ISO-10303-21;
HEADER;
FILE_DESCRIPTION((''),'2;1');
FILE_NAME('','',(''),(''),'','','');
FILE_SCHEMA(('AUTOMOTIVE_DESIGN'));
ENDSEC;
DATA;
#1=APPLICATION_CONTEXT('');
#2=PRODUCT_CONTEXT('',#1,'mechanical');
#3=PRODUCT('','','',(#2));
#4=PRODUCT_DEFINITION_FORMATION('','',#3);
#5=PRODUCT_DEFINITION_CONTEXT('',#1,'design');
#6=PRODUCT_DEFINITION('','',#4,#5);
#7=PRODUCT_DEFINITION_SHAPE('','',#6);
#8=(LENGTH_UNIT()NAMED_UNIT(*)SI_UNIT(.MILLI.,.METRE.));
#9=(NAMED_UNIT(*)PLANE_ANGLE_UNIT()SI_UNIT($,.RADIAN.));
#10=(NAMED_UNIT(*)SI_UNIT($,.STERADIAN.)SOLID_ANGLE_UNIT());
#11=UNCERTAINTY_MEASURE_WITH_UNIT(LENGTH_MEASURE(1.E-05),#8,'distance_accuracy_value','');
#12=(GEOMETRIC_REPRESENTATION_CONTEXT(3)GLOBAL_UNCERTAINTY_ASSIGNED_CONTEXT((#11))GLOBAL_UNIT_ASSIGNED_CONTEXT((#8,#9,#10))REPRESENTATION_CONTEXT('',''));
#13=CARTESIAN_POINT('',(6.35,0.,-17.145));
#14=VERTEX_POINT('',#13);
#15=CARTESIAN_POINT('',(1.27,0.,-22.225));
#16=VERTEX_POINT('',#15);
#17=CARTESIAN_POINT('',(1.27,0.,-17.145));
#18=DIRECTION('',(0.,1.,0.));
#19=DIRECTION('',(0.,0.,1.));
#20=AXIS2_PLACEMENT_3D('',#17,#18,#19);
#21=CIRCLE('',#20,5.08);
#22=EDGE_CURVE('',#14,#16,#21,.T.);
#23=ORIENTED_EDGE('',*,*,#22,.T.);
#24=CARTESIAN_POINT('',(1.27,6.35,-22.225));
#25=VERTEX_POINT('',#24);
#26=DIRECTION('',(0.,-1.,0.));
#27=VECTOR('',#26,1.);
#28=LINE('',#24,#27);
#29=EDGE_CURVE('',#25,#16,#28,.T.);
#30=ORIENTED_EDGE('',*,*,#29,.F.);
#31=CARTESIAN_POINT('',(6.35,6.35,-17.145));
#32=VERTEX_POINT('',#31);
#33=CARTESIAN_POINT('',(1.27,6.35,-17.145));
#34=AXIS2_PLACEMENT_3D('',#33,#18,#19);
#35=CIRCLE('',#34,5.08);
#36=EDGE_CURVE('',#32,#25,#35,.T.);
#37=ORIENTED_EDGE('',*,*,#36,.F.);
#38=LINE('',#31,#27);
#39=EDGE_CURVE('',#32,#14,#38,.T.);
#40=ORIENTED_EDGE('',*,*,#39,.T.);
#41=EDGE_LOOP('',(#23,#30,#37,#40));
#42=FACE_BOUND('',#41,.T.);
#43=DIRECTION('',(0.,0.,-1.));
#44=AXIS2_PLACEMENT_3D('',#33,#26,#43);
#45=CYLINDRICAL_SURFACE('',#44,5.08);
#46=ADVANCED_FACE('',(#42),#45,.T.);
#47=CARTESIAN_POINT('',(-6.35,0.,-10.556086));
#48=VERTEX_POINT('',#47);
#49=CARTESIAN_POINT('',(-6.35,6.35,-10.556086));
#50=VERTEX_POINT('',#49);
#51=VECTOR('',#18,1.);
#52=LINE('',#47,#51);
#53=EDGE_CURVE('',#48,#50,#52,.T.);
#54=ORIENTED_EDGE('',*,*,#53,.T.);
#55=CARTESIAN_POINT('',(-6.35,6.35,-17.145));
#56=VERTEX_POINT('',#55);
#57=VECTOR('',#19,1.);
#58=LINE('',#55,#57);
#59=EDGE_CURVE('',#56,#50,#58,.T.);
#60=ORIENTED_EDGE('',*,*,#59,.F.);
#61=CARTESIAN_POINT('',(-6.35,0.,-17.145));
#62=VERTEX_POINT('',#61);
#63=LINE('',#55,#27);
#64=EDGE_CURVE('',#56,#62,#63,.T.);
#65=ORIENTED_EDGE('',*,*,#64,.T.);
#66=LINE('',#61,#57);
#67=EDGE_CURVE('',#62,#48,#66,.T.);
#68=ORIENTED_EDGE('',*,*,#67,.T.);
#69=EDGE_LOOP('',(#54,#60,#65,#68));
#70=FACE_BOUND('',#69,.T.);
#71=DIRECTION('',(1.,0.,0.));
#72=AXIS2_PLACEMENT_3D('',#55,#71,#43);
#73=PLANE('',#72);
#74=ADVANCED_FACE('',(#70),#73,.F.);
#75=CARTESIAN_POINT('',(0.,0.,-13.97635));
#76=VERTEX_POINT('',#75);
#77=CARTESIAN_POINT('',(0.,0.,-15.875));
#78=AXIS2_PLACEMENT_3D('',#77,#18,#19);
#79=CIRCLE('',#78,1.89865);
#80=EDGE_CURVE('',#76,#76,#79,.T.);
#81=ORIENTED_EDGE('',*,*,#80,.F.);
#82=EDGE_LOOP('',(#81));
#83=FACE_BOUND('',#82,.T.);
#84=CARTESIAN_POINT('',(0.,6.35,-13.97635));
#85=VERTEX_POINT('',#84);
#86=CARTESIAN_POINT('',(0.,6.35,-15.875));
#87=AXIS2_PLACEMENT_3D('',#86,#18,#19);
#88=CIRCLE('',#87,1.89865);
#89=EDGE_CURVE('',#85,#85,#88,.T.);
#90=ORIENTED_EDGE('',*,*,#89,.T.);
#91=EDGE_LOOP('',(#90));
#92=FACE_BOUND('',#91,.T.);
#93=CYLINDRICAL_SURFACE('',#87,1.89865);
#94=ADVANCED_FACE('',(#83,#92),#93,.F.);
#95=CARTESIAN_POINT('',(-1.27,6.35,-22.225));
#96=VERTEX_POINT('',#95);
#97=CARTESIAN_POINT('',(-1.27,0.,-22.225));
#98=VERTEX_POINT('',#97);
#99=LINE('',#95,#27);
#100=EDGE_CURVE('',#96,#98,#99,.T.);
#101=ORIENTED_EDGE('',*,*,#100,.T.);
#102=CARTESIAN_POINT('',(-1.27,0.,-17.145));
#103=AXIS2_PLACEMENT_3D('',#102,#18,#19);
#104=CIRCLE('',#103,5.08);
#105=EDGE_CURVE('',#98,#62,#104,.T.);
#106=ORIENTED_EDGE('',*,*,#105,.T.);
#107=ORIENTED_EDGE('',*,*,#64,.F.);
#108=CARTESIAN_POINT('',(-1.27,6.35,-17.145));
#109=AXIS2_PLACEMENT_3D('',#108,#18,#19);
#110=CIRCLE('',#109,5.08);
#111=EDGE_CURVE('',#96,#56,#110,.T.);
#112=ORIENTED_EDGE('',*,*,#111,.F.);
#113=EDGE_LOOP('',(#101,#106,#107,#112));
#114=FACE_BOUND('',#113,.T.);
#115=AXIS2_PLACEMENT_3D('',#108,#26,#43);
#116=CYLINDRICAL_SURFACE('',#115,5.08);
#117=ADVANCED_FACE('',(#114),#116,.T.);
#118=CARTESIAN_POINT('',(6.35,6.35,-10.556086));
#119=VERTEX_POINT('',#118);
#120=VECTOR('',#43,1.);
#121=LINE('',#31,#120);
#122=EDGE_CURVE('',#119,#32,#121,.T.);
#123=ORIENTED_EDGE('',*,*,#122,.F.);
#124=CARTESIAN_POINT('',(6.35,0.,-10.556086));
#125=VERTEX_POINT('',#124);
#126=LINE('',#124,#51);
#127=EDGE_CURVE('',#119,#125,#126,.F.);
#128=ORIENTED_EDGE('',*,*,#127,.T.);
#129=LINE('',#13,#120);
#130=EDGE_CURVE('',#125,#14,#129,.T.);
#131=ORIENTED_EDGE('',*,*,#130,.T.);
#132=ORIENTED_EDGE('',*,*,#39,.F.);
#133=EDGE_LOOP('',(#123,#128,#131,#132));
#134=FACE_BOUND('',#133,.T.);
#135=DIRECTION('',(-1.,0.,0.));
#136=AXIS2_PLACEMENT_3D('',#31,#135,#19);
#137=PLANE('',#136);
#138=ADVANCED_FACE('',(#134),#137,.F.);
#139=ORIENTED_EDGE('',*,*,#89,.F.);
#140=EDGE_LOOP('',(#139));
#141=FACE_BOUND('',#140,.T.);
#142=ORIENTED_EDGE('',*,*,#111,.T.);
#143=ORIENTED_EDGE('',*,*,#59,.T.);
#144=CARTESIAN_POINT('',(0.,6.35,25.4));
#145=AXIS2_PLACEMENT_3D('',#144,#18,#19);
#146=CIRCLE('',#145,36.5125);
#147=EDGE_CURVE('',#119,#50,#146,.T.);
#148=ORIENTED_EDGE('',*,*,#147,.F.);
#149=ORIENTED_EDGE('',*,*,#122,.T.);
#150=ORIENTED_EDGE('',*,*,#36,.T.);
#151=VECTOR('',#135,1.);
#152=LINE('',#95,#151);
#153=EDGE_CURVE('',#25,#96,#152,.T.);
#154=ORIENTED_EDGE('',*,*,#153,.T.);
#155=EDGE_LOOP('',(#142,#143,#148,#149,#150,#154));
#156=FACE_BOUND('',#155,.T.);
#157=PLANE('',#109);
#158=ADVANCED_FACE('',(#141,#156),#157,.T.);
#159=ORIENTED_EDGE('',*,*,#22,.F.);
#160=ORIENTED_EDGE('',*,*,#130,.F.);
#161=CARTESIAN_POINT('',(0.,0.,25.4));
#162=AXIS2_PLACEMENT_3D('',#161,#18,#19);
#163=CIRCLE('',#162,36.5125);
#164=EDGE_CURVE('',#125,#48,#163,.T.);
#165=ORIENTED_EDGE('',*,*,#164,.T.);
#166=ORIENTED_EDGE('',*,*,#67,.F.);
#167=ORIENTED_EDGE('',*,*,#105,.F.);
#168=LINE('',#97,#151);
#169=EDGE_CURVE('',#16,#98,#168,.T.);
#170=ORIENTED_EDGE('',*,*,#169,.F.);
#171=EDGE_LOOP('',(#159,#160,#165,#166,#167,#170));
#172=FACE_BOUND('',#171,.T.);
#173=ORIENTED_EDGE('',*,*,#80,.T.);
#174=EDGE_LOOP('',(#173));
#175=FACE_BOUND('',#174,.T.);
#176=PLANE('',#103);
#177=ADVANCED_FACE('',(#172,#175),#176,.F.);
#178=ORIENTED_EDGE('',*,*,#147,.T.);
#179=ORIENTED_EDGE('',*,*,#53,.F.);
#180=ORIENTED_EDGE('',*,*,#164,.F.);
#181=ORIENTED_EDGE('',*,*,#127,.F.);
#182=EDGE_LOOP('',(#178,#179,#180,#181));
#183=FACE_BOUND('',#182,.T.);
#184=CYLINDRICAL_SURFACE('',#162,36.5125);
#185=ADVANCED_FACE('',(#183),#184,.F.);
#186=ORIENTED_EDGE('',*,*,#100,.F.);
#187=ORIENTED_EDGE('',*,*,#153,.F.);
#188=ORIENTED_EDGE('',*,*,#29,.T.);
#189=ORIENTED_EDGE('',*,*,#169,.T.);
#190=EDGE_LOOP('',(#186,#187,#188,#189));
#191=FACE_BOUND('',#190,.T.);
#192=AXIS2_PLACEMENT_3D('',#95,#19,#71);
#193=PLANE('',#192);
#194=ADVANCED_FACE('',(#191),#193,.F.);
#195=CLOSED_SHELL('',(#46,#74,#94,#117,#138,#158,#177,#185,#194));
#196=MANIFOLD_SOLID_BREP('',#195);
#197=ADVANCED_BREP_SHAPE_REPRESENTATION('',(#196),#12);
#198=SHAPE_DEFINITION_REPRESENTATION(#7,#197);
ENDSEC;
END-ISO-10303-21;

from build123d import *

# Parameters (mm, degrees)
EXTRUDE1_DEPTH            = 6.35
SKETCH2_R                 = 36.5125
CUT_EXTRUDE1_DEPTH        = 6.35
F_6_CLEARANCE_HOLE1_D     = 3.7973
F_6_CLEARANCE_HOLE1_DEPTH = 330.2
F_6_CLEARANCE_HOLE1_TIP   = 1.140824014


with BuildPart() as part:
    # Sketch1 → Extrude1 (new body)
    with BuildSketch(Plane(origin=(0, 0, 0), x_dir=(1, 0, 0), z_dir=(0, 1, 0))):
        with BuildLine():
            Line((-1.27, 22.225), (1.27, 22.225))
            ThreePointArc((1.27, 22.225), (4.862102448, 20.737102448), (6.35, 17.145))
            Line((6.35, 17.145), (6.35, -25.4))
            Line((6.35, -25.4), (-6.35, -25.4))
            Line((-6.35, -25.4), (-6.35, 17.145))
            ThreePointArc((-6.35, 17.145), (-4.862102448, 20.737102448), (-1.27, 22.225))
        make_face()
    extrude(amount=EXTRUDE1_DEPTH)

    # Sketch2 → Cut-Extrude1 (cut)
    with BuildSketch(Plane(origin=(0, 6.35, 0), x_dir=(-1, 0, 0), z_dir=(0, 1, 0))):
        with Locations((0, 25.4)):
            Circle(SKETCH2_R)
    extrude(amount=-CUT_EXTRUDE1_DEPTH, mode=Mode.SUBTRACT)

    # #6 Clearance Hole1
    with Locations(Plane(origin=(0, 6.35, -15.875), x_dir=(0, 0, 1), z_dir=(0, 1, 0))):
        with Locations((0, 0)):
            Hole(F_6_CLEARANCE_HOLE1_D / 2, depth=F_6_CLEARANCE_HOLE1_DEPTH)
            with Locations((0, 0, -(F_6_CLEARANCE_HOLE1_DEPTH + F_6_CLEARANCE_HOLE1_TIP / 2))):  # 118° drill point
                Cone(0, F_6_CLEARANCE_HOLE1_D / 2, F_6_CLEARANCE_HOLE1_TIP, mode=Mode.SUBTRACT)


solid = part.part
